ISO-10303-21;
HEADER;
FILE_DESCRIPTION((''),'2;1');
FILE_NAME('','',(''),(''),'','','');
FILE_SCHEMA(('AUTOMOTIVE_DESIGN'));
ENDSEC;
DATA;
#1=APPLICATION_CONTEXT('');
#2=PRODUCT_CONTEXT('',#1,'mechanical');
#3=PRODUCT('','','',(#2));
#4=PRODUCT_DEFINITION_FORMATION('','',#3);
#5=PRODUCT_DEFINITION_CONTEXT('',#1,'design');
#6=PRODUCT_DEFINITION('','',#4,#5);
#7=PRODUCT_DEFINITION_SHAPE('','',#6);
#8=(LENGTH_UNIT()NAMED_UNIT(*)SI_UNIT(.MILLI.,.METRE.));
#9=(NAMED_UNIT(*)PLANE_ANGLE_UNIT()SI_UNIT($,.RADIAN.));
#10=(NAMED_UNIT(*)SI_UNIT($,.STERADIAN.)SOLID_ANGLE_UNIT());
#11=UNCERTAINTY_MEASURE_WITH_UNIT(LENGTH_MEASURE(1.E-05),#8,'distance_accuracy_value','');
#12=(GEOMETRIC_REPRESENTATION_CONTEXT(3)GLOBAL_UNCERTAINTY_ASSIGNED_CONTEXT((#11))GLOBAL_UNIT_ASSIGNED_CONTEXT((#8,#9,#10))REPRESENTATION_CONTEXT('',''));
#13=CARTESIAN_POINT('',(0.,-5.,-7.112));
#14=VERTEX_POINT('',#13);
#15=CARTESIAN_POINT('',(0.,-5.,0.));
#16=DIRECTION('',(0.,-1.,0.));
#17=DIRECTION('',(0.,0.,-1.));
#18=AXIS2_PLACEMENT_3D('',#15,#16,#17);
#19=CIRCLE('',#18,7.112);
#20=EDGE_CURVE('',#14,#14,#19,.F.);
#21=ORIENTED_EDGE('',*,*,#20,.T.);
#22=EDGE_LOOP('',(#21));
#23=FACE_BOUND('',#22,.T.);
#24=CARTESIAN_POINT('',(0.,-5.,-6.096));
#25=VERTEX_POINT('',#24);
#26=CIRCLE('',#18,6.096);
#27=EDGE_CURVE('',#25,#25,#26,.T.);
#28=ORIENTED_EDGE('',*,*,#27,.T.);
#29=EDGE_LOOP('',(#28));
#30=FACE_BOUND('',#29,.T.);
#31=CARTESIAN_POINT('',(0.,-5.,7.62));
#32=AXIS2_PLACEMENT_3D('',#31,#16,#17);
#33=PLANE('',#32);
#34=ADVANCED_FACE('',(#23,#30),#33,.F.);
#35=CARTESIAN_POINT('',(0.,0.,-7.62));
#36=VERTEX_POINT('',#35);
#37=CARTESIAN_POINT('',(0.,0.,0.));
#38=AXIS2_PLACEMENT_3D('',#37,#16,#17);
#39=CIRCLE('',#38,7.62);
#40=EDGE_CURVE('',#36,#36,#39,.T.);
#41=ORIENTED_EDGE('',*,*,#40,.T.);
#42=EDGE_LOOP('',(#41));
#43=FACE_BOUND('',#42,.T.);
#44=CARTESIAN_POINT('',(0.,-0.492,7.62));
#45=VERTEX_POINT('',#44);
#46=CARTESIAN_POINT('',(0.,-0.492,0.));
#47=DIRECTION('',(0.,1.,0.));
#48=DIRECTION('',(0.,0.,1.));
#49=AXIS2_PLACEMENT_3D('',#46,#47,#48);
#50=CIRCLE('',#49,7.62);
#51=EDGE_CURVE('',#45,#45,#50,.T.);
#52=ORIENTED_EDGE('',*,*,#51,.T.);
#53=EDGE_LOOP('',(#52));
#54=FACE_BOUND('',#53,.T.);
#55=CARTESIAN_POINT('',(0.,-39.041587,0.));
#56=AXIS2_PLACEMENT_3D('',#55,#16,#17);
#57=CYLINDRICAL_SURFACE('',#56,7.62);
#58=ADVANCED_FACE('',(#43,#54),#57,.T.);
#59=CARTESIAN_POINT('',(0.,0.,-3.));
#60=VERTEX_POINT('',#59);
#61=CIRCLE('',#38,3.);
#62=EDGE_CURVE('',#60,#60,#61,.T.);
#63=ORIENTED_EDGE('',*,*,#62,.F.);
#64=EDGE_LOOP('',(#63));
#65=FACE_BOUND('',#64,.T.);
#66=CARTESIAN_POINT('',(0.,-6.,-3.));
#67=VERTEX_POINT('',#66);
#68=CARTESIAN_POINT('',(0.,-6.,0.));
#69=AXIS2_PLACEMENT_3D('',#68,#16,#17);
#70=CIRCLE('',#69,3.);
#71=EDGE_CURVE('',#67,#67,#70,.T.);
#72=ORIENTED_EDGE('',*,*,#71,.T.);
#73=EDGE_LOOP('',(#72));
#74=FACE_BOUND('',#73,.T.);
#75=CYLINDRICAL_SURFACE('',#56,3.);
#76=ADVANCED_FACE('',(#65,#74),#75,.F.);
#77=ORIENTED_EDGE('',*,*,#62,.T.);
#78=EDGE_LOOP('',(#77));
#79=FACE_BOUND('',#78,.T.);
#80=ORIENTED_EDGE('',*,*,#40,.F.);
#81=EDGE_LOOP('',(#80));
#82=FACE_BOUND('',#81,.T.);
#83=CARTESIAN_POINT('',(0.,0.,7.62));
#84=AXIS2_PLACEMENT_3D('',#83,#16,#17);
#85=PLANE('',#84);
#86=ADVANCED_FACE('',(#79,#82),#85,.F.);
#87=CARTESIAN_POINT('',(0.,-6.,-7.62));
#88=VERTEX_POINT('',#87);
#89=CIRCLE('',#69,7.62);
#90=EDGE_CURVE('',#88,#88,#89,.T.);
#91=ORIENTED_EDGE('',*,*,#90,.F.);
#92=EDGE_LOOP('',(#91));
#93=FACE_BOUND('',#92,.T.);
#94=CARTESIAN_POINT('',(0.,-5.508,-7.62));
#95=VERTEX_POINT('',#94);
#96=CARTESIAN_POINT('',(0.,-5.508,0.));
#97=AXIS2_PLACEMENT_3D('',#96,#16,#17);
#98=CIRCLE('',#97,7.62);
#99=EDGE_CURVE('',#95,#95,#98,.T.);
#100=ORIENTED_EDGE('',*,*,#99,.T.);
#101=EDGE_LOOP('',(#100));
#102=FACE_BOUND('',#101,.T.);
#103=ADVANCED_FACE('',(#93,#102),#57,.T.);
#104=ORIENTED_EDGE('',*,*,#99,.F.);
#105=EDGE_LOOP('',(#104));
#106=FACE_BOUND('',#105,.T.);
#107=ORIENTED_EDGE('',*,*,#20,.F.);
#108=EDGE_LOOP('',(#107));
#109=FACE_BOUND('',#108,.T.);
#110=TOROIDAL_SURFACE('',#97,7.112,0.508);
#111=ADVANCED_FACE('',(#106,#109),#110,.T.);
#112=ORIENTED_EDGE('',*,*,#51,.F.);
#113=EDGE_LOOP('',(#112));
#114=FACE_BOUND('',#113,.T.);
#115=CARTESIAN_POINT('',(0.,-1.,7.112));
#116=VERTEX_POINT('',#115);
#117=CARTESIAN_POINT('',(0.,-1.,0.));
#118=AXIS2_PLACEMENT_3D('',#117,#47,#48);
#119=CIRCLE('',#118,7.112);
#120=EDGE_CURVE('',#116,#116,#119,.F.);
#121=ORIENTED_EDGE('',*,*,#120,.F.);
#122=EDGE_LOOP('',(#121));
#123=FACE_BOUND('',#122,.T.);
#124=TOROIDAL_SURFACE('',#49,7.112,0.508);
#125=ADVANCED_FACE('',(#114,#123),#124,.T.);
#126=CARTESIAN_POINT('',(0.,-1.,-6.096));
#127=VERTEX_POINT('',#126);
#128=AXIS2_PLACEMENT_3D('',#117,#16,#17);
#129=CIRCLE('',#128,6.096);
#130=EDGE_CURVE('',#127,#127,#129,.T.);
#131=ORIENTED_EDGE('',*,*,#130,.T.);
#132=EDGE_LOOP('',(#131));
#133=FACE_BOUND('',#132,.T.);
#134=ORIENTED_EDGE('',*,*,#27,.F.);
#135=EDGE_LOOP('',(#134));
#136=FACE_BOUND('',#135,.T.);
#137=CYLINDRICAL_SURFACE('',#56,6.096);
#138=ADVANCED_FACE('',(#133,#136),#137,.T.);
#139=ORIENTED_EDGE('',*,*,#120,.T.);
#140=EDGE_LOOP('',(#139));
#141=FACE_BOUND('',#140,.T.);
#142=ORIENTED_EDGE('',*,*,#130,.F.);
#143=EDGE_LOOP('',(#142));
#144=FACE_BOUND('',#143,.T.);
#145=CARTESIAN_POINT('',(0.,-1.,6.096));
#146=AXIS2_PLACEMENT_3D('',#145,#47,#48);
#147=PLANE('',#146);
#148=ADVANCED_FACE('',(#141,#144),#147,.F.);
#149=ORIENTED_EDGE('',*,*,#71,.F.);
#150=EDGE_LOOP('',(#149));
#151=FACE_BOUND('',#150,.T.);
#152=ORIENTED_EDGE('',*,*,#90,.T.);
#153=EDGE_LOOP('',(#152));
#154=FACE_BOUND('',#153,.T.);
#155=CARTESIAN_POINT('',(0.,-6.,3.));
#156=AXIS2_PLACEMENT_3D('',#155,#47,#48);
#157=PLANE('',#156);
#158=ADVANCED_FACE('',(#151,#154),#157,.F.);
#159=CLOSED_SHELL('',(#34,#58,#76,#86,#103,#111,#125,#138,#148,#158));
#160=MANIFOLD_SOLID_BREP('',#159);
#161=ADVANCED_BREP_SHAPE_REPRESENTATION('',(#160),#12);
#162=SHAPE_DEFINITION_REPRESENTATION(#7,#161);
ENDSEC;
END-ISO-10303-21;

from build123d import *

# Parameters (mm, degrees)
FILLET1_R = 0.508


with BuildPart() as part:
    # Sketch1 → Revolve1 (revolve)
    with BuildSketch(Plane.YZ, mode=Mode.PRIVATE) as revolve1_sk:
        Polygon((0, 3.000000096), (-6.000000192, 3.000000096), (-6.000000192, 7.62), (-5.00000016, 7.62), (-5.00000016, 6.096), (-1.000000032, 6.096), (-1.000000032, 7.62), (0, 7.62), align=None)
    revolve(revolve1_sk.sketch.rotate(Axis((0, -39.041586513, 0), (0, 1, 0)), 180), axis=Axis((0, -39.041586513, 0), (0, 1, 0)))

    # Fillet1
    fillet1_edges = [part.edges().sort_by_distance(p)[0] for p in [
        (0, -1.000000032, 7.62),
        (0, -5.00000016, 7.62),
    ]]
    fillet(fillet1_edges, radius=FILLET1_R)


solid = part.part
